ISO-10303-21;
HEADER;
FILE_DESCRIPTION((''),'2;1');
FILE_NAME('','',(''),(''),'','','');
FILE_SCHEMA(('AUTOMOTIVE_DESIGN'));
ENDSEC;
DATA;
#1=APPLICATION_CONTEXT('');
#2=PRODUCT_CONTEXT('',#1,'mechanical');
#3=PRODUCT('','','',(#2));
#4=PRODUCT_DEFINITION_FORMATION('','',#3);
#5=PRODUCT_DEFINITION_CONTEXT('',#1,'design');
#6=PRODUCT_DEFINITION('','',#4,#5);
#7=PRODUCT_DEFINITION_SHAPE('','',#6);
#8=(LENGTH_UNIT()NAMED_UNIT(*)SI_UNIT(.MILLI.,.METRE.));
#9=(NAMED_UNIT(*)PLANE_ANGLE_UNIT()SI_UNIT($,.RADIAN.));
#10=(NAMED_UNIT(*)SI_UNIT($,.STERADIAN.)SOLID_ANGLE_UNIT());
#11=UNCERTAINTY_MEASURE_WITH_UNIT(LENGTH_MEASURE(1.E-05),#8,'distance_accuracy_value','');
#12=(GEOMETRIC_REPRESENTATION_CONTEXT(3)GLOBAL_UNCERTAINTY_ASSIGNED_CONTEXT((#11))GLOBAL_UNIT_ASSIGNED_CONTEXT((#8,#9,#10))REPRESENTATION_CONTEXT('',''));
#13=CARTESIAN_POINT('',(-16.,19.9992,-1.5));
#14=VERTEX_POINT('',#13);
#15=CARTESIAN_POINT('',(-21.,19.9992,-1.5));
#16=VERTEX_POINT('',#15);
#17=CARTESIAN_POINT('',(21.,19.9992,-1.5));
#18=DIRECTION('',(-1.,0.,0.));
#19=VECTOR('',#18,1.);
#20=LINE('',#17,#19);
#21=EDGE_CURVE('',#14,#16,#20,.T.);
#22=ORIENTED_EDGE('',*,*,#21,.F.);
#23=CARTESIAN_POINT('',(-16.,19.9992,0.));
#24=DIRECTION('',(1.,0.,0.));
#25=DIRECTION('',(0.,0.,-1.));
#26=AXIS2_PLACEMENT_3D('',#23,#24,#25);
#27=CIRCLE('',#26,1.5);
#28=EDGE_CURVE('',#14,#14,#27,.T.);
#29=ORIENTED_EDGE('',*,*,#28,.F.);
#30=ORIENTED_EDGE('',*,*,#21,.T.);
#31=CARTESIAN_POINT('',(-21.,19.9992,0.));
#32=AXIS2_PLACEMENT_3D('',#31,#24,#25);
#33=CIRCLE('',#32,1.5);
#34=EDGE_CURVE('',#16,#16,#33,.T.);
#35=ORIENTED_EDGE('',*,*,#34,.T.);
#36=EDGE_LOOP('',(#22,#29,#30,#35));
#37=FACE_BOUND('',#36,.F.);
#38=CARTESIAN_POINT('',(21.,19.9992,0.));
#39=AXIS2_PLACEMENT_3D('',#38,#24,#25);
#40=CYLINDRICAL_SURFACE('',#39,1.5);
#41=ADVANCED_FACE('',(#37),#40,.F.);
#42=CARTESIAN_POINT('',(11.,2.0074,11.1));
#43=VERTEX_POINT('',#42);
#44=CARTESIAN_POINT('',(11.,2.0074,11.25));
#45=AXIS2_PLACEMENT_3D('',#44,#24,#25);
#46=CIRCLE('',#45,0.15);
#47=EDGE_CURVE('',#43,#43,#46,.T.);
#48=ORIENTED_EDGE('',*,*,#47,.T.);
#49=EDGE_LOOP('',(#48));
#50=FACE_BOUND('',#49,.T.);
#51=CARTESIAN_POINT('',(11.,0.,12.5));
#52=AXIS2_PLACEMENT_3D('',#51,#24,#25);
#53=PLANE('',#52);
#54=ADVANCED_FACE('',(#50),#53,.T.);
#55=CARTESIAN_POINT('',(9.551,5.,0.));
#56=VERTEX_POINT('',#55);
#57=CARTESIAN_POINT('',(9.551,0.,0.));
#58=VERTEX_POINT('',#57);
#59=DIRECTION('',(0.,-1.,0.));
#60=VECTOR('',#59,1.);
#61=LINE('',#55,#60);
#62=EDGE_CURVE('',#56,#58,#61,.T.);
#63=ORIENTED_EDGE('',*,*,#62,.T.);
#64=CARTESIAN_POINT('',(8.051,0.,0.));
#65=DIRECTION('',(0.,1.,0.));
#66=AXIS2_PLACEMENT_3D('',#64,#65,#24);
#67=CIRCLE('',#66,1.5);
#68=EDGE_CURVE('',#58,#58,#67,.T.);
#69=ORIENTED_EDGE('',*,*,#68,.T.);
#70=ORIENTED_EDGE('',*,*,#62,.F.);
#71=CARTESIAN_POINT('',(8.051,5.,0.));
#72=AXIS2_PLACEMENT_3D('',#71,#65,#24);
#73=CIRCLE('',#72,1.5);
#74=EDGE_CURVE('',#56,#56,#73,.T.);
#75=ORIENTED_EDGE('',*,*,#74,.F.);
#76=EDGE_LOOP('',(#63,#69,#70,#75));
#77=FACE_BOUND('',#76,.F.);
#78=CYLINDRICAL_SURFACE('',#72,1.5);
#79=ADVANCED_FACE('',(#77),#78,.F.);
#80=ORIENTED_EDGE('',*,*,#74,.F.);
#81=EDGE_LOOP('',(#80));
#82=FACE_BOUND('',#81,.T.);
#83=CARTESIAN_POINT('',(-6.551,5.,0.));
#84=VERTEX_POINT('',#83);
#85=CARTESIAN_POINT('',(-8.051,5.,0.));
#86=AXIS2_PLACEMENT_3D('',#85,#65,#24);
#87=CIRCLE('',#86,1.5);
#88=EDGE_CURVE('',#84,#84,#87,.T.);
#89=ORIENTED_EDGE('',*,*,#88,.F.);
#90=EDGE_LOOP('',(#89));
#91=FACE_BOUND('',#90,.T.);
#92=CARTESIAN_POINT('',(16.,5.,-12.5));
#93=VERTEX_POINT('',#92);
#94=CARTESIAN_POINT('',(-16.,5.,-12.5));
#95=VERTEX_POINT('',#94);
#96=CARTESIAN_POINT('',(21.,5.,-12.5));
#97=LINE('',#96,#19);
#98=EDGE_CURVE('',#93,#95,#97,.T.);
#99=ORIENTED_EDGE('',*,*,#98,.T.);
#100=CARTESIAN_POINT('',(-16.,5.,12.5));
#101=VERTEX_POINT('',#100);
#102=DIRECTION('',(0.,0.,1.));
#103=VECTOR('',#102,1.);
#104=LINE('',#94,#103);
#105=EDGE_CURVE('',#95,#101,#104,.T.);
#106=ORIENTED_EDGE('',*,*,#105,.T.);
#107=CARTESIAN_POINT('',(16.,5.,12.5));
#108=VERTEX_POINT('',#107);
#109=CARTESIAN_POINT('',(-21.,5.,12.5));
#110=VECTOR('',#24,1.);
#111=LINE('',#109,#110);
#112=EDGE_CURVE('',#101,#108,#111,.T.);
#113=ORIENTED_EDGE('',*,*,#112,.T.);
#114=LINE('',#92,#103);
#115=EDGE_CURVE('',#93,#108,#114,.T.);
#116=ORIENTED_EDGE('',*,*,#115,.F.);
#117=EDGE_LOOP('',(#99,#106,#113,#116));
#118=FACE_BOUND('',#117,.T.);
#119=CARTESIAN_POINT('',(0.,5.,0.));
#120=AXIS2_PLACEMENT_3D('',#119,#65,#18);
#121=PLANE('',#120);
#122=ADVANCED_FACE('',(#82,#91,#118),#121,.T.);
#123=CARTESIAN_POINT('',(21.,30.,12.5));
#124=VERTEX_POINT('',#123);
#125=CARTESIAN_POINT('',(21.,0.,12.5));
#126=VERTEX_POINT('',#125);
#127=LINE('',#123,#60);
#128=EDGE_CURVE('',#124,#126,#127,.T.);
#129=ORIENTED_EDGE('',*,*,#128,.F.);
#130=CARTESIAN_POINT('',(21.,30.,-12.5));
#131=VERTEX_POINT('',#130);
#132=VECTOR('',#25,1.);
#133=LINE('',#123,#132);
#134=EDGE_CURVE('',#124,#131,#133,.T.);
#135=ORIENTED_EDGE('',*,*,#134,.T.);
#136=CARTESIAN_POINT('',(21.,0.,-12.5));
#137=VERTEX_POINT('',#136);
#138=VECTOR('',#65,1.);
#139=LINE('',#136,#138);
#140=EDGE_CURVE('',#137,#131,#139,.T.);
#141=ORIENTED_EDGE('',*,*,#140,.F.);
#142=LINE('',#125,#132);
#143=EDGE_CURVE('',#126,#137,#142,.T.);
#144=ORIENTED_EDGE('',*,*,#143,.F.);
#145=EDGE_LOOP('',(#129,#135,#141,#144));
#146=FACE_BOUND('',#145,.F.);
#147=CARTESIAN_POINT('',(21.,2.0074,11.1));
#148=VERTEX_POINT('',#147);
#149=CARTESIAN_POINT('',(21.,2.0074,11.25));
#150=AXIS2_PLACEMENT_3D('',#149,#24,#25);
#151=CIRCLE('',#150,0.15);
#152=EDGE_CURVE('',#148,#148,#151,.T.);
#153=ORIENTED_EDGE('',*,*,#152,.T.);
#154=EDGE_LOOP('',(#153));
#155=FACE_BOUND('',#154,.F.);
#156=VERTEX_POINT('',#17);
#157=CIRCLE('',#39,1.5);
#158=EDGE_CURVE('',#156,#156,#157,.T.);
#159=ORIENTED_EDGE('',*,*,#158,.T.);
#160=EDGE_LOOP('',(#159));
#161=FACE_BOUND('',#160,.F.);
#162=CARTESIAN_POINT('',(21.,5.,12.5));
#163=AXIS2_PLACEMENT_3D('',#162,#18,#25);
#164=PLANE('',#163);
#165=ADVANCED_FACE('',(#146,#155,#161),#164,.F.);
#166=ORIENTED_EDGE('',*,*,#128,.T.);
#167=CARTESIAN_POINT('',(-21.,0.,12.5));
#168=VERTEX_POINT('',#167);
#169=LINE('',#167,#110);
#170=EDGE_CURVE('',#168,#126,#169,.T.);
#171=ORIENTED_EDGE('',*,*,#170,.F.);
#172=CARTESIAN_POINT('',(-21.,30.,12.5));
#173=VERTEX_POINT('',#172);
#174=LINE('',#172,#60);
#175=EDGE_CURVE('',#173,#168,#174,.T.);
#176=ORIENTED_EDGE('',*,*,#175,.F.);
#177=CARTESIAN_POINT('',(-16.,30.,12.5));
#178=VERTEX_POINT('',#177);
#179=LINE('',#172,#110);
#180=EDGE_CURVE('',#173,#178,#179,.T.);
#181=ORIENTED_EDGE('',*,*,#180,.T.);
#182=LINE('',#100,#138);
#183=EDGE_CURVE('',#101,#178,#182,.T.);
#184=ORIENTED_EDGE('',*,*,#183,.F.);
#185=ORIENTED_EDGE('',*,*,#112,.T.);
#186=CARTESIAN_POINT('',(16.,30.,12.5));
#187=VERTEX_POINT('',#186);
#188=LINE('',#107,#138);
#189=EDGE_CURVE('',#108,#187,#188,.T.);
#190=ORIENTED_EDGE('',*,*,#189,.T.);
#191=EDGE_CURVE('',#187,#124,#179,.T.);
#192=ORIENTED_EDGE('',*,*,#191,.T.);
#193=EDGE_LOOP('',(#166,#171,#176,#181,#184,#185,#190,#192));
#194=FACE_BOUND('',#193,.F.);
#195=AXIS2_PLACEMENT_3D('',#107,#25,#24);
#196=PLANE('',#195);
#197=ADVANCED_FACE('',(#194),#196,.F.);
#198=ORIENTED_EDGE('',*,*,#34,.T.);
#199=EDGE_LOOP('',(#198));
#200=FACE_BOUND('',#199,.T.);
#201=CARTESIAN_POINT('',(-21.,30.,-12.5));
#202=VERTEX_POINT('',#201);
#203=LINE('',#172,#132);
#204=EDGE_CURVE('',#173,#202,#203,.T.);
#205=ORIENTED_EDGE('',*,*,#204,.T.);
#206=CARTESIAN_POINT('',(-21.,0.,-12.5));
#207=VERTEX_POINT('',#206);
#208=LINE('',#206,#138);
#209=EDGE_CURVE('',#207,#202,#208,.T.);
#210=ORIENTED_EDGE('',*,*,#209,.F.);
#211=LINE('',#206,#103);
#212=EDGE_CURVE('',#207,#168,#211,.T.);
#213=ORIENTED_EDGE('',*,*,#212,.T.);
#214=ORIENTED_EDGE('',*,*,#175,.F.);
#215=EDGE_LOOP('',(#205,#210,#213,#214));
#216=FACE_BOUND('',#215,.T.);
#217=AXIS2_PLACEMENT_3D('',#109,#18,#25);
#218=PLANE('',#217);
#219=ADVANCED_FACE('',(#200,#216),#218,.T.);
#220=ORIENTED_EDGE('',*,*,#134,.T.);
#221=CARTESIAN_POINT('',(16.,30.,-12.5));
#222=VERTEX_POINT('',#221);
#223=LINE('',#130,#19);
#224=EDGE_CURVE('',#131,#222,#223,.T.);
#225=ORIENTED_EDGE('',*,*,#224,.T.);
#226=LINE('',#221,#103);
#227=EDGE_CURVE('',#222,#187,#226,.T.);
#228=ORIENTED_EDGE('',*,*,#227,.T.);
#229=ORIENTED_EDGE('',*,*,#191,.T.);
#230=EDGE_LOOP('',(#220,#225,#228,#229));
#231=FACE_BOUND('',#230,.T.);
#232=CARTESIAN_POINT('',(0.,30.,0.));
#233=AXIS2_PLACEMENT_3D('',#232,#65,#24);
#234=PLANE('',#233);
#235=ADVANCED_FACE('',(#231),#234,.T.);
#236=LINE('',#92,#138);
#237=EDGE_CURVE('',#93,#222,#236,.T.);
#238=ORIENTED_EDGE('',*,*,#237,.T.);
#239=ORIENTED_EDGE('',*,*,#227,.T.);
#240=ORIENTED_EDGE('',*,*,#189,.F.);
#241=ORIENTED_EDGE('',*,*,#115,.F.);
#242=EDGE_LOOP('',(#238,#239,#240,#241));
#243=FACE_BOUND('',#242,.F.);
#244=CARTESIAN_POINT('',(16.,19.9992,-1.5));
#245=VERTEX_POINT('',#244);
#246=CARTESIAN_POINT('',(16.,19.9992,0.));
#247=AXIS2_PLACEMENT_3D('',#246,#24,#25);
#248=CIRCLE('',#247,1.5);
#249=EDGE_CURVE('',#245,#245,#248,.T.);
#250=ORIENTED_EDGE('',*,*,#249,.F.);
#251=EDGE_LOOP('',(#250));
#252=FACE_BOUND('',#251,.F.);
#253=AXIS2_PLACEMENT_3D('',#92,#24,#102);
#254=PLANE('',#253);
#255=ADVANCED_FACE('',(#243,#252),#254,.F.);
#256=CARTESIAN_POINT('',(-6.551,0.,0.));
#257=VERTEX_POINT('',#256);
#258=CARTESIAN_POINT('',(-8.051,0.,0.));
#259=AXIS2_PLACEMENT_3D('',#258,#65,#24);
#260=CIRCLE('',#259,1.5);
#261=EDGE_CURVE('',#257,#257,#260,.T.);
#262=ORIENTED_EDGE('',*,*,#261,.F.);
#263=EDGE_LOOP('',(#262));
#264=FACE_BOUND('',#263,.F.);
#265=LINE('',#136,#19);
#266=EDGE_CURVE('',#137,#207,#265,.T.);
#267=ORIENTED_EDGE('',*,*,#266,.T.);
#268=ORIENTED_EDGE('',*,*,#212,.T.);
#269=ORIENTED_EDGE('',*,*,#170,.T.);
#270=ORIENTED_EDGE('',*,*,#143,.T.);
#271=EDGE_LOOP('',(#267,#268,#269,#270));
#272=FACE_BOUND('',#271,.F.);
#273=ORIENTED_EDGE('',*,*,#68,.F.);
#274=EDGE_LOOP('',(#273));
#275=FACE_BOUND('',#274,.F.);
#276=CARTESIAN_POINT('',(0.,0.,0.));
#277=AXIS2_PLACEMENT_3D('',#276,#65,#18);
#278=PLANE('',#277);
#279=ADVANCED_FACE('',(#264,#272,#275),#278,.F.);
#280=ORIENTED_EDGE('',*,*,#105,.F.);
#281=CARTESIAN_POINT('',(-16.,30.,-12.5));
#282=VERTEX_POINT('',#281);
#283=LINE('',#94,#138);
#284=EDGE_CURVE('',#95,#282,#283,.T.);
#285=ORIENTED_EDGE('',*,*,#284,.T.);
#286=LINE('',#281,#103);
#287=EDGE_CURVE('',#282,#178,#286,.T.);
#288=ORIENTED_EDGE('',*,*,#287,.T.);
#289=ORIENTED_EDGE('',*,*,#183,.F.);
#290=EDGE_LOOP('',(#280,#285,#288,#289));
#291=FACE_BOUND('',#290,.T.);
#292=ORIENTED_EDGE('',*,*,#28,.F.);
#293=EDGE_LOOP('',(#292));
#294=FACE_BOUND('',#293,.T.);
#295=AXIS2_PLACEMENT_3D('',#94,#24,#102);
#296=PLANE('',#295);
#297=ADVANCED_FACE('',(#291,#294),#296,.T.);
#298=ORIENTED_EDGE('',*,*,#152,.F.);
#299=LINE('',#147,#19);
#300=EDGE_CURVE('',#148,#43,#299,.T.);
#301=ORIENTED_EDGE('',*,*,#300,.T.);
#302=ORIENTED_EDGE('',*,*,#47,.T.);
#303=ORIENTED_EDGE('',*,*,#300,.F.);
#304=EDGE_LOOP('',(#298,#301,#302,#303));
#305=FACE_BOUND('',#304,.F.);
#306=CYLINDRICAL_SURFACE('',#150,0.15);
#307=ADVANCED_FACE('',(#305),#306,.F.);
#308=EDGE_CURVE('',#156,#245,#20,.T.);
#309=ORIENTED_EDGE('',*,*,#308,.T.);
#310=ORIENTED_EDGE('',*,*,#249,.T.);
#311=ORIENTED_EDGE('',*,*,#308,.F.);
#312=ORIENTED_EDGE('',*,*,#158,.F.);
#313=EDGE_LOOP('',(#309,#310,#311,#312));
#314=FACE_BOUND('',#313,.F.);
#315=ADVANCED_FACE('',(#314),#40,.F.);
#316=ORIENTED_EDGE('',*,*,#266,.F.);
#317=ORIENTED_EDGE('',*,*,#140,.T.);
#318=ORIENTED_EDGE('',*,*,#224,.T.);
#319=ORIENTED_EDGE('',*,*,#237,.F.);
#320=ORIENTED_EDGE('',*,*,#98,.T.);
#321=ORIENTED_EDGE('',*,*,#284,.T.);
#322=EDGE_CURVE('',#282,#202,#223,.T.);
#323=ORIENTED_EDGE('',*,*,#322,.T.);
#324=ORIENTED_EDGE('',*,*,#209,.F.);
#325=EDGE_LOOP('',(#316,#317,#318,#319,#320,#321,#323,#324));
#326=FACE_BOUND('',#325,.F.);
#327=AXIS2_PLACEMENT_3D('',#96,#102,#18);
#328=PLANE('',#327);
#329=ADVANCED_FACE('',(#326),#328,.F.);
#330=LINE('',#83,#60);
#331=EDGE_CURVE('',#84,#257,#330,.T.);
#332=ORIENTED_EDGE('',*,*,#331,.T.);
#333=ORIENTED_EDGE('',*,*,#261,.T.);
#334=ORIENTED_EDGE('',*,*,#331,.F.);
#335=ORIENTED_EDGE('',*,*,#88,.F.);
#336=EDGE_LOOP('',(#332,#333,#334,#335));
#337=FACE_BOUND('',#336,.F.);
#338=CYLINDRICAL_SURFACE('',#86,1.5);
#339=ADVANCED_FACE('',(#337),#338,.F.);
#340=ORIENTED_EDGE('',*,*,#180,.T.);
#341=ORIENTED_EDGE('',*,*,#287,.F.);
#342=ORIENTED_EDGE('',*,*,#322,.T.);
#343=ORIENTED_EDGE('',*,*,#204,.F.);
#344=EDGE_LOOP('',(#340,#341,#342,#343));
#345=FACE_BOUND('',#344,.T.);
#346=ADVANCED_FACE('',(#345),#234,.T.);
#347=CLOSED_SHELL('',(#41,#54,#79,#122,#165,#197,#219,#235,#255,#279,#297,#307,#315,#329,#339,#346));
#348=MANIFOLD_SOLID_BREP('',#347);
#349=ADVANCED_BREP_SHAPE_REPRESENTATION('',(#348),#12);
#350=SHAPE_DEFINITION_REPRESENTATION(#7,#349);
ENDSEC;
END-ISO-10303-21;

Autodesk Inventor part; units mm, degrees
ref_plane "YZ Plane" through (0, 0, 0) normal (1, 0, 0) x (0, 1, 0)
ref_plane "XZ Plane" through (0, 0, 0) normal (0, 1, 0) x (-1, 0, 0)
ref_plane "XY Plane" through (0, 0, 0) normal (0, 0, 1) x (1, 0, 0)
sketch "Sketch1" plane through (0, 0, 0) normal (0, 1, 0) x (-1, 0, 0)
  line L0 (21, 12.5) -> (-21, 12.5)
  line L1 (-21, 12.5) -> (-21, -12.5)
  line L2 (-21, -12.5) -> (21, -12.5)
  line L3 (21, -12.5) -> (21, 12.5)
  line L4 (21, 12.5) -> (-21, -12.5) construction
  line L5 (-21, 12.5) -> (21, -12.5) construction
  point P0 (0, 0)
  dimension "d0" = 42
  dimension "d1" = 25
extrude "Extrusion1" add sketch "Sketch1" along normal blind 5
sketch "Sketch5" plane through (-21, 0, -12.5) normal (-1, 0, 0) x (0, 0, 1)
  point P0 (12.5, 0)
sketch "Sketch6" plane through (21, 0, 12.5) normal (1, 0, 0) x (0, 0, -1)
  circle A0 centre (1.25, 2.0074) radius 0.15
  point P0 (12.5, 0)
  dimension "d11" = 0.3
extrude "Extrusion5" cut sketch "Sketch6" against normal blind 10
sketch "Sketch8" plane through (0, 5, 0) normal (0, 1, 0) x (1, 0, 0)
  line L0 (21, 12.5) -> (-21, 12.5) projected
  line L1 (-21, -12.5) -> (21, -12.5) projected
  line L2 (-21, 12.5) -> (-16, 12.5)
  line L3 (-16, 12.5) -> (-16, -12.5)
  line L4 (-16, -12.5) -> (-21, -12.5)
  line L5 (-21, -12.5) -> (-21, 12.5)
  point P0 (0, 0)
  dimension "d14" = 5
extrude "Extrusion6" add sketch "Sketch8" along normal blind 25
sketch "Sketch9" plane through (0, 5, 0) normal (0, 1, 0) x (1, 0, 0)
  line L0 (21, 12.5) -> (-21, 12.5) projected
  line L1 (-21, -12.5) -> (21, -12.5) projected
  line L2 (21, 12.5) -> (16, 12.5)
  line L3 (16, 12.5) -> (16, -12.5)
  line L4 (16, -12.5) -> (21, -12.5)
  line L5 (21, -12.5) -> (21, 12.5)
  point P0 (0, 0)
  point P1 (16, 12.5)
  dimension "d17" = 5
extrude "Extrusion7" add sketch "Sketch9" along normal blind 25
sketch "Sketch10" plane through (21, 0, 12.5) normal (1, 0, 0) x (0, 0, -1)
  circle A0 centre (12.5, 19.9992) radius 1.5
  point P0 (12.5, 0)
  dimension "d20" = 3
extrude "Extrusion8" cut sketch "Sketch10" against normal blind 100
sketch "Sketch11" plane through (0, 5, 0) normal (0, 1, 0) x (1, 0, 0)
  point P0 (0, 0)
sketch "Sketch12" plane through (0, 5, 0) normal (0, 1, 0) x (1, 0, 0)
  circle A0 centre (-8.051, 0) radius 1.5
  circle A1 centre (8.051, 0) radius 1.5
  point P0 (0, 0)
  dimension "d23" = 3
  dimension "d24" = 3
extrude "Extrusion9" cut sketch "Sketch12" against normal blind 10
properties part number "clamp"
